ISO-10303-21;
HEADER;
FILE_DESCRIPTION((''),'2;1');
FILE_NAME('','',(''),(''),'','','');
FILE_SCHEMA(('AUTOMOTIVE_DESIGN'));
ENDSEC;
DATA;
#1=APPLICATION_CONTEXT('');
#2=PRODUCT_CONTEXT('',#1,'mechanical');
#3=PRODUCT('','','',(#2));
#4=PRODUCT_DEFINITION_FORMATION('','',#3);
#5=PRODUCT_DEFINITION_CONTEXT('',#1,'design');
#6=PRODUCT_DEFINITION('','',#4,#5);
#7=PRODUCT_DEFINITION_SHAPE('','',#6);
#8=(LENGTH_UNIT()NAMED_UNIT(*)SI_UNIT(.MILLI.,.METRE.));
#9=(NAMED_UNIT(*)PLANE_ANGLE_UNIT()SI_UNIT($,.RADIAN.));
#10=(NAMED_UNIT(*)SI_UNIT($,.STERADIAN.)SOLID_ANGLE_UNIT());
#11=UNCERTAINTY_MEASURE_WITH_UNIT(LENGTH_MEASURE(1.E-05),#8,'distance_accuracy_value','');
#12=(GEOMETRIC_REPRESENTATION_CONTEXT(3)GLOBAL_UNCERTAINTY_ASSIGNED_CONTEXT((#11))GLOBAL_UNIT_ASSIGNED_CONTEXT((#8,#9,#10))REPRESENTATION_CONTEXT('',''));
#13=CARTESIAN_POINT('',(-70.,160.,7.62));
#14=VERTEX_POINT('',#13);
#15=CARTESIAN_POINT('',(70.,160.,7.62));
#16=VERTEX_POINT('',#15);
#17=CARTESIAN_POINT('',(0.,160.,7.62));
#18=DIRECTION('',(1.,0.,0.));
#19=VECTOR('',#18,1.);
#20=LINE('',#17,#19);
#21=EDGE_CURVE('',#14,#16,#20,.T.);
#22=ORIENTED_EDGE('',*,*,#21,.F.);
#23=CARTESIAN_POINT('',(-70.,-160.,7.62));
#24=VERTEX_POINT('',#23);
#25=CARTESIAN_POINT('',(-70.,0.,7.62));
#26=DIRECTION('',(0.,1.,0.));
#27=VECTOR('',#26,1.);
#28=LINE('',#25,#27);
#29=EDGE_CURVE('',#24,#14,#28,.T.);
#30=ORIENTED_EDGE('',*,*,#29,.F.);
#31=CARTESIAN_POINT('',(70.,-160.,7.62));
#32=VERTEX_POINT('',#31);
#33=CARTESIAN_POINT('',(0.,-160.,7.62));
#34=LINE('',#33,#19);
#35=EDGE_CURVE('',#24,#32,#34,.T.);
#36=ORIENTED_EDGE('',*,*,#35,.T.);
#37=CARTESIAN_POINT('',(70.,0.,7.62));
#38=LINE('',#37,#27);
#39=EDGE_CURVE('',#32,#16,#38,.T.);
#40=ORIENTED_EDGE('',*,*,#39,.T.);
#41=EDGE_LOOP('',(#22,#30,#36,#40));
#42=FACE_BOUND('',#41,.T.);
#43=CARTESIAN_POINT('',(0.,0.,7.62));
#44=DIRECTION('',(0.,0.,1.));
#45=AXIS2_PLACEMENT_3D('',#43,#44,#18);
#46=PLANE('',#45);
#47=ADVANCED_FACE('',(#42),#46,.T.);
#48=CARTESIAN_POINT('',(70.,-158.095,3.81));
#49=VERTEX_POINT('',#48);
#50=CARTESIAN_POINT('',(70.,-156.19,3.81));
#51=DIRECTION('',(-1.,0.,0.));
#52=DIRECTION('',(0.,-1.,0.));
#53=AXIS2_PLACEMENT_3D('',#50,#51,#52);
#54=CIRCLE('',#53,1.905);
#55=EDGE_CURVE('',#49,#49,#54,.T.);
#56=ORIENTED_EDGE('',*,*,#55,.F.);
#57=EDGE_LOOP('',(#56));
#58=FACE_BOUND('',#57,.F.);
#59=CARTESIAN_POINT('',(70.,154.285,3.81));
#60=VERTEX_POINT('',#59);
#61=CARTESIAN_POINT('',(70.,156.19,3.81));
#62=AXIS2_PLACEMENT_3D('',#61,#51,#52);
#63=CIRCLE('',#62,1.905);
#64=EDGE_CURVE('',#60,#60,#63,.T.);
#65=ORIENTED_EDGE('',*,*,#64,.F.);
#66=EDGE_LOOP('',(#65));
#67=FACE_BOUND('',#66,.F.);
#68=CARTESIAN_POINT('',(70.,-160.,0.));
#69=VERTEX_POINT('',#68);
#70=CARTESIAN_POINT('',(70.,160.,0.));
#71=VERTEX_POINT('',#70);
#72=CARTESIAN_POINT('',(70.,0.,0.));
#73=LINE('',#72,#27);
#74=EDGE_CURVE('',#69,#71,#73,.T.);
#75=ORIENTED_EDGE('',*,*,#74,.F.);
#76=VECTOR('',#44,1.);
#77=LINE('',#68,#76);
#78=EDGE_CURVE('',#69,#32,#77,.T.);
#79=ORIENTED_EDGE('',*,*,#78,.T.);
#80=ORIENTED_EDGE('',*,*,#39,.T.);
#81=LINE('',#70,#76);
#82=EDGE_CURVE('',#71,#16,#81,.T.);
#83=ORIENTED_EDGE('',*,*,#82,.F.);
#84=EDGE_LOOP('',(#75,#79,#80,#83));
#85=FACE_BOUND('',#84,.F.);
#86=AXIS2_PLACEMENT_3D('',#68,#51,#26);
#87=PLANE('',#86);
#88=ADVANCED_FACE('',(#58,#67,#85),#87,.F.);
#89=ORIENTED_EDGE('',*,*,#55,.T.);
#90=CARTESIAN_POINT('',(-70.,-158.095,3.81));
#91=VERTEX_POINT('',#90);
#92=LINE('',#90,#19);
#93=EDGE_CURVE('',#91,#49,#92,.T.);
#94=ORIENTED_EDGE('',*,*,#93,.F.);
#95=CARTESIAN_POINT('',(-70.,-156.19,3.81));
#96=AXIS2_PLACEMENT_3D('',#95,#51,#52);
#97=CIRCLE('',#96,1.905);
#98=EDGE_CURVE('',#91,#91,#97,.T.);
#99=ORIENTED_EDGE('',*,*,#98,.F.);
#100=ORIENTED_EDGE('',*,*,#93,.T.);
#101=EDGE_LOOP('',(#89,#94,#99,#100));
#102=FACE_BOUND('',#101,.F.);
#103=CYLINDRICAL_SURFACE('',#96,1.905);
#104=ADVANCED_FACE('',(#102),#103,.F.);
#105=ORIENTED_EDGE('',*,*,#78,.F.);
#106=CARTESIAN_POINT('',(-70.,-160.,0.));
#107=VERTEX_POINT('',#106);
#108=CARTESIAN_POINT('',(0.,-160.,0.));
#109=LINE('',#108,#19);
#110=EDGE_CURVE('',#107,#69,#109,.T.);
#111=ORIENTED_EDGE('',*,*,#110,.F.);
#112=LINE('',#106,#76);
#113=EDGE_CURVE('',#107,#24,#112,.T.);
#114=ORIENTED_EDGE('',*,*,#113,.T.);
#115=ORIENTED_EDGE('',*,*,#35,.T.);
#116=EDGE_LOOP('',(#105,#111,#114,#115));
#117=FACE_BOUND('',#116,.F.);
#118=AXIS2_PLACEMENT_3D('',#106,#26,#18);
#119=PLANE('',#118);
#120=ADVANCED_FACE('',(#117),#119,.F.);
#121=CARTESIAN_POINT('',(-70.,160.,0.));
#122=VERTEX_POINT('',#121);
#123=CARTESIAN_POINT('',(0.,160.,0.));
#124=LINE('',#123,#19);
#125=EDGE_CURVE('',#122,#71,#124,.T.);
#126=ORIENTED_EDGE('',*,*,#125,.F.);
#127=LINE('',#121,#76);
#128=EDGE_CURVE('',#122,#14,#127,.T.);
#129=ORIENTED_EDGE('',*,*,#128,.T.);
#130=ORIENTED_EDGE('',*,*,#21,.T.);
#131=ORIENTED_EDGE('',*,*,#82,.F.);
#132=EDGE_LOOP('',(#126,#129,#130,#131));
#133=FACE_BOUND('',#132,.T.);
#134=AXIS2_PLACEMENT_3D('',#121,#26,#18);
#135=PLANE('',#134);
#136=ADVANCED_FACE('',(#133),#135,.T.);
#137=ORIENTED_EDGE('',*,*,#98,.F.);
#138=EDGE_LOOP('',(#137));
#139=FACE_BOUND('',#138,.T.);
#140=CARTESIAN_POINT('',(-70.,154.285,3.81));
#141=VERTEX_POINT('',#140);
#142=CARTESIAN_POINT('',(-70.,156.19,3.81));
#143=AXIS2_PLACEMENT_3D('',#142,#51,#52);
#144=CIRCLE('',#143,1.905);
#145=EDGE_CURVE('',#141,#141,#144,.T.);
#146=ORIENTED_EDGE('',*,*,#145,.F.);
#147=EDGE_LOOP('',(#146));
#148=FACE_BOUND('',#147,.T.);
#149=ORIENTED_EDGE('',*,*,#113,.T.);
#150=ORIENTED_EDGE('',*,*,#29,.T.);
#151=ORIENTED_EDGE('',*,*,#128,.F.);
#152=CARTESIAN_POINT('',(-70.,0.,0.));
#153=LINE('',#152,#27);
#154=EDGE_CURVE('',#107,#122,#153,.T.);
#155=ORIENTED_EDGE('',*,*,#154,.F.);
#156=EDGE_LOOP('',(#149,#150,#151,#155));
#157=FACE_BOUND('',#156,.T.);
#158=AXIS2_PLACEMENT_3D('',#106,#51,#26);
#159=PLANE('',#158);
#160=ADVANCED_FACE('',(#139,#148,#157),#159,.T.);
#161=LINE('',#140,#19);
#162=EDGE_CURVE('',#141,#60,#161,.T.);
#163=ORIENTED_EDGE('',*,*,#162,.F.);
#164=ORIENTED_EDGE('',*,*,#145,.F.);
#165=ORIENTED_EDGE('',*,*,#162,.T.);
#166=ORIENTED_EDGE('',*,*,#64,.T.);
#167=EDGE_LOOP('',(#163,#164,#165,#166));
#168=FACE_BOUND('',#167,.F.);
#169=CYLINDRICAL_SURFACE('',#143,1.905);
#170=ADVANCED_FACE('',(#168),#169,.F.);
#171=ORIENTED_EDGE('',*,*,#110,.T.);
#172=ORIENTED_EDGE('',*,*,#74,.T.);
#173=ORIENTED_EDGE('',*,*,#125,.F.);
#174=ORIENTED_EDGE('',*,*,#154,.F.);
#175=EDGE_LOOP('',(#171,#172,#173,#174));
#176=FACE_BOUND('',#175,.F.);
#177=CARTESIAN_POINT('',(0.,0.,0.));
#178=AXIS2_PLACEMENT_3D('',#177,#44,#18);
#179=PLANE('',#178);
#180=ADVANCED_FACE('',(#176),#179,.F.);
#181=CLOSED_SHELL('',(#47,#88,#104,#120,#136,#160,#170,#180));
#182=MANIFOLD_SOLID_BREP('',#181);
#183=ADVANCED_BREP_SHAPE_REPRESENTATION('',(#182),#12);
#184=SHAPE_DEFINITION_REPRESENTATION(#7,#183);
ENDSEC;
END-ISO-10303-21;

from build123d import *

# Parameters (mm, degrees)
F0_W     = 140
F0_H     = 320
F1_DEPTH = 7.62
F4_R     = 1.905
F5_DEPTH = 140
F3_R     = 1.905
F6_DEPTH = 140


with BuildPart() as f1:
    # F0 (on Top) → F1 (new body)
    with BuildSketch(Plane.XY):
        Rectangle(F0_W, F0_H)
    extrude(amount=F1_DEPTH)

    # F4 (on face) → F5 (cut)
    with BuildSketch(Plane(origin=(-70, 0, 0), x_dir=(0, -1, 0), z_dir=(-1, 0, 0))):
        with Locations((-156.19, 3.81)):
            Circle(F4_R)
    extrude(amount=-F5_DEPTH, mode=Mode.SUBTRACT)

    # F3 (on face) → F6 (cut)
    with BuildSketch(Plane(origin=(-70, 0, 0), x_dir=(0, -1, 0), z_dir=(-1, 0, 0))):
        with Locations((156.19, 3.81)):
            Circle(F3_R)
    extrude(amount=-F6_DEPTH, mode=Mode.SUBTRACT)


solid = f1.part
